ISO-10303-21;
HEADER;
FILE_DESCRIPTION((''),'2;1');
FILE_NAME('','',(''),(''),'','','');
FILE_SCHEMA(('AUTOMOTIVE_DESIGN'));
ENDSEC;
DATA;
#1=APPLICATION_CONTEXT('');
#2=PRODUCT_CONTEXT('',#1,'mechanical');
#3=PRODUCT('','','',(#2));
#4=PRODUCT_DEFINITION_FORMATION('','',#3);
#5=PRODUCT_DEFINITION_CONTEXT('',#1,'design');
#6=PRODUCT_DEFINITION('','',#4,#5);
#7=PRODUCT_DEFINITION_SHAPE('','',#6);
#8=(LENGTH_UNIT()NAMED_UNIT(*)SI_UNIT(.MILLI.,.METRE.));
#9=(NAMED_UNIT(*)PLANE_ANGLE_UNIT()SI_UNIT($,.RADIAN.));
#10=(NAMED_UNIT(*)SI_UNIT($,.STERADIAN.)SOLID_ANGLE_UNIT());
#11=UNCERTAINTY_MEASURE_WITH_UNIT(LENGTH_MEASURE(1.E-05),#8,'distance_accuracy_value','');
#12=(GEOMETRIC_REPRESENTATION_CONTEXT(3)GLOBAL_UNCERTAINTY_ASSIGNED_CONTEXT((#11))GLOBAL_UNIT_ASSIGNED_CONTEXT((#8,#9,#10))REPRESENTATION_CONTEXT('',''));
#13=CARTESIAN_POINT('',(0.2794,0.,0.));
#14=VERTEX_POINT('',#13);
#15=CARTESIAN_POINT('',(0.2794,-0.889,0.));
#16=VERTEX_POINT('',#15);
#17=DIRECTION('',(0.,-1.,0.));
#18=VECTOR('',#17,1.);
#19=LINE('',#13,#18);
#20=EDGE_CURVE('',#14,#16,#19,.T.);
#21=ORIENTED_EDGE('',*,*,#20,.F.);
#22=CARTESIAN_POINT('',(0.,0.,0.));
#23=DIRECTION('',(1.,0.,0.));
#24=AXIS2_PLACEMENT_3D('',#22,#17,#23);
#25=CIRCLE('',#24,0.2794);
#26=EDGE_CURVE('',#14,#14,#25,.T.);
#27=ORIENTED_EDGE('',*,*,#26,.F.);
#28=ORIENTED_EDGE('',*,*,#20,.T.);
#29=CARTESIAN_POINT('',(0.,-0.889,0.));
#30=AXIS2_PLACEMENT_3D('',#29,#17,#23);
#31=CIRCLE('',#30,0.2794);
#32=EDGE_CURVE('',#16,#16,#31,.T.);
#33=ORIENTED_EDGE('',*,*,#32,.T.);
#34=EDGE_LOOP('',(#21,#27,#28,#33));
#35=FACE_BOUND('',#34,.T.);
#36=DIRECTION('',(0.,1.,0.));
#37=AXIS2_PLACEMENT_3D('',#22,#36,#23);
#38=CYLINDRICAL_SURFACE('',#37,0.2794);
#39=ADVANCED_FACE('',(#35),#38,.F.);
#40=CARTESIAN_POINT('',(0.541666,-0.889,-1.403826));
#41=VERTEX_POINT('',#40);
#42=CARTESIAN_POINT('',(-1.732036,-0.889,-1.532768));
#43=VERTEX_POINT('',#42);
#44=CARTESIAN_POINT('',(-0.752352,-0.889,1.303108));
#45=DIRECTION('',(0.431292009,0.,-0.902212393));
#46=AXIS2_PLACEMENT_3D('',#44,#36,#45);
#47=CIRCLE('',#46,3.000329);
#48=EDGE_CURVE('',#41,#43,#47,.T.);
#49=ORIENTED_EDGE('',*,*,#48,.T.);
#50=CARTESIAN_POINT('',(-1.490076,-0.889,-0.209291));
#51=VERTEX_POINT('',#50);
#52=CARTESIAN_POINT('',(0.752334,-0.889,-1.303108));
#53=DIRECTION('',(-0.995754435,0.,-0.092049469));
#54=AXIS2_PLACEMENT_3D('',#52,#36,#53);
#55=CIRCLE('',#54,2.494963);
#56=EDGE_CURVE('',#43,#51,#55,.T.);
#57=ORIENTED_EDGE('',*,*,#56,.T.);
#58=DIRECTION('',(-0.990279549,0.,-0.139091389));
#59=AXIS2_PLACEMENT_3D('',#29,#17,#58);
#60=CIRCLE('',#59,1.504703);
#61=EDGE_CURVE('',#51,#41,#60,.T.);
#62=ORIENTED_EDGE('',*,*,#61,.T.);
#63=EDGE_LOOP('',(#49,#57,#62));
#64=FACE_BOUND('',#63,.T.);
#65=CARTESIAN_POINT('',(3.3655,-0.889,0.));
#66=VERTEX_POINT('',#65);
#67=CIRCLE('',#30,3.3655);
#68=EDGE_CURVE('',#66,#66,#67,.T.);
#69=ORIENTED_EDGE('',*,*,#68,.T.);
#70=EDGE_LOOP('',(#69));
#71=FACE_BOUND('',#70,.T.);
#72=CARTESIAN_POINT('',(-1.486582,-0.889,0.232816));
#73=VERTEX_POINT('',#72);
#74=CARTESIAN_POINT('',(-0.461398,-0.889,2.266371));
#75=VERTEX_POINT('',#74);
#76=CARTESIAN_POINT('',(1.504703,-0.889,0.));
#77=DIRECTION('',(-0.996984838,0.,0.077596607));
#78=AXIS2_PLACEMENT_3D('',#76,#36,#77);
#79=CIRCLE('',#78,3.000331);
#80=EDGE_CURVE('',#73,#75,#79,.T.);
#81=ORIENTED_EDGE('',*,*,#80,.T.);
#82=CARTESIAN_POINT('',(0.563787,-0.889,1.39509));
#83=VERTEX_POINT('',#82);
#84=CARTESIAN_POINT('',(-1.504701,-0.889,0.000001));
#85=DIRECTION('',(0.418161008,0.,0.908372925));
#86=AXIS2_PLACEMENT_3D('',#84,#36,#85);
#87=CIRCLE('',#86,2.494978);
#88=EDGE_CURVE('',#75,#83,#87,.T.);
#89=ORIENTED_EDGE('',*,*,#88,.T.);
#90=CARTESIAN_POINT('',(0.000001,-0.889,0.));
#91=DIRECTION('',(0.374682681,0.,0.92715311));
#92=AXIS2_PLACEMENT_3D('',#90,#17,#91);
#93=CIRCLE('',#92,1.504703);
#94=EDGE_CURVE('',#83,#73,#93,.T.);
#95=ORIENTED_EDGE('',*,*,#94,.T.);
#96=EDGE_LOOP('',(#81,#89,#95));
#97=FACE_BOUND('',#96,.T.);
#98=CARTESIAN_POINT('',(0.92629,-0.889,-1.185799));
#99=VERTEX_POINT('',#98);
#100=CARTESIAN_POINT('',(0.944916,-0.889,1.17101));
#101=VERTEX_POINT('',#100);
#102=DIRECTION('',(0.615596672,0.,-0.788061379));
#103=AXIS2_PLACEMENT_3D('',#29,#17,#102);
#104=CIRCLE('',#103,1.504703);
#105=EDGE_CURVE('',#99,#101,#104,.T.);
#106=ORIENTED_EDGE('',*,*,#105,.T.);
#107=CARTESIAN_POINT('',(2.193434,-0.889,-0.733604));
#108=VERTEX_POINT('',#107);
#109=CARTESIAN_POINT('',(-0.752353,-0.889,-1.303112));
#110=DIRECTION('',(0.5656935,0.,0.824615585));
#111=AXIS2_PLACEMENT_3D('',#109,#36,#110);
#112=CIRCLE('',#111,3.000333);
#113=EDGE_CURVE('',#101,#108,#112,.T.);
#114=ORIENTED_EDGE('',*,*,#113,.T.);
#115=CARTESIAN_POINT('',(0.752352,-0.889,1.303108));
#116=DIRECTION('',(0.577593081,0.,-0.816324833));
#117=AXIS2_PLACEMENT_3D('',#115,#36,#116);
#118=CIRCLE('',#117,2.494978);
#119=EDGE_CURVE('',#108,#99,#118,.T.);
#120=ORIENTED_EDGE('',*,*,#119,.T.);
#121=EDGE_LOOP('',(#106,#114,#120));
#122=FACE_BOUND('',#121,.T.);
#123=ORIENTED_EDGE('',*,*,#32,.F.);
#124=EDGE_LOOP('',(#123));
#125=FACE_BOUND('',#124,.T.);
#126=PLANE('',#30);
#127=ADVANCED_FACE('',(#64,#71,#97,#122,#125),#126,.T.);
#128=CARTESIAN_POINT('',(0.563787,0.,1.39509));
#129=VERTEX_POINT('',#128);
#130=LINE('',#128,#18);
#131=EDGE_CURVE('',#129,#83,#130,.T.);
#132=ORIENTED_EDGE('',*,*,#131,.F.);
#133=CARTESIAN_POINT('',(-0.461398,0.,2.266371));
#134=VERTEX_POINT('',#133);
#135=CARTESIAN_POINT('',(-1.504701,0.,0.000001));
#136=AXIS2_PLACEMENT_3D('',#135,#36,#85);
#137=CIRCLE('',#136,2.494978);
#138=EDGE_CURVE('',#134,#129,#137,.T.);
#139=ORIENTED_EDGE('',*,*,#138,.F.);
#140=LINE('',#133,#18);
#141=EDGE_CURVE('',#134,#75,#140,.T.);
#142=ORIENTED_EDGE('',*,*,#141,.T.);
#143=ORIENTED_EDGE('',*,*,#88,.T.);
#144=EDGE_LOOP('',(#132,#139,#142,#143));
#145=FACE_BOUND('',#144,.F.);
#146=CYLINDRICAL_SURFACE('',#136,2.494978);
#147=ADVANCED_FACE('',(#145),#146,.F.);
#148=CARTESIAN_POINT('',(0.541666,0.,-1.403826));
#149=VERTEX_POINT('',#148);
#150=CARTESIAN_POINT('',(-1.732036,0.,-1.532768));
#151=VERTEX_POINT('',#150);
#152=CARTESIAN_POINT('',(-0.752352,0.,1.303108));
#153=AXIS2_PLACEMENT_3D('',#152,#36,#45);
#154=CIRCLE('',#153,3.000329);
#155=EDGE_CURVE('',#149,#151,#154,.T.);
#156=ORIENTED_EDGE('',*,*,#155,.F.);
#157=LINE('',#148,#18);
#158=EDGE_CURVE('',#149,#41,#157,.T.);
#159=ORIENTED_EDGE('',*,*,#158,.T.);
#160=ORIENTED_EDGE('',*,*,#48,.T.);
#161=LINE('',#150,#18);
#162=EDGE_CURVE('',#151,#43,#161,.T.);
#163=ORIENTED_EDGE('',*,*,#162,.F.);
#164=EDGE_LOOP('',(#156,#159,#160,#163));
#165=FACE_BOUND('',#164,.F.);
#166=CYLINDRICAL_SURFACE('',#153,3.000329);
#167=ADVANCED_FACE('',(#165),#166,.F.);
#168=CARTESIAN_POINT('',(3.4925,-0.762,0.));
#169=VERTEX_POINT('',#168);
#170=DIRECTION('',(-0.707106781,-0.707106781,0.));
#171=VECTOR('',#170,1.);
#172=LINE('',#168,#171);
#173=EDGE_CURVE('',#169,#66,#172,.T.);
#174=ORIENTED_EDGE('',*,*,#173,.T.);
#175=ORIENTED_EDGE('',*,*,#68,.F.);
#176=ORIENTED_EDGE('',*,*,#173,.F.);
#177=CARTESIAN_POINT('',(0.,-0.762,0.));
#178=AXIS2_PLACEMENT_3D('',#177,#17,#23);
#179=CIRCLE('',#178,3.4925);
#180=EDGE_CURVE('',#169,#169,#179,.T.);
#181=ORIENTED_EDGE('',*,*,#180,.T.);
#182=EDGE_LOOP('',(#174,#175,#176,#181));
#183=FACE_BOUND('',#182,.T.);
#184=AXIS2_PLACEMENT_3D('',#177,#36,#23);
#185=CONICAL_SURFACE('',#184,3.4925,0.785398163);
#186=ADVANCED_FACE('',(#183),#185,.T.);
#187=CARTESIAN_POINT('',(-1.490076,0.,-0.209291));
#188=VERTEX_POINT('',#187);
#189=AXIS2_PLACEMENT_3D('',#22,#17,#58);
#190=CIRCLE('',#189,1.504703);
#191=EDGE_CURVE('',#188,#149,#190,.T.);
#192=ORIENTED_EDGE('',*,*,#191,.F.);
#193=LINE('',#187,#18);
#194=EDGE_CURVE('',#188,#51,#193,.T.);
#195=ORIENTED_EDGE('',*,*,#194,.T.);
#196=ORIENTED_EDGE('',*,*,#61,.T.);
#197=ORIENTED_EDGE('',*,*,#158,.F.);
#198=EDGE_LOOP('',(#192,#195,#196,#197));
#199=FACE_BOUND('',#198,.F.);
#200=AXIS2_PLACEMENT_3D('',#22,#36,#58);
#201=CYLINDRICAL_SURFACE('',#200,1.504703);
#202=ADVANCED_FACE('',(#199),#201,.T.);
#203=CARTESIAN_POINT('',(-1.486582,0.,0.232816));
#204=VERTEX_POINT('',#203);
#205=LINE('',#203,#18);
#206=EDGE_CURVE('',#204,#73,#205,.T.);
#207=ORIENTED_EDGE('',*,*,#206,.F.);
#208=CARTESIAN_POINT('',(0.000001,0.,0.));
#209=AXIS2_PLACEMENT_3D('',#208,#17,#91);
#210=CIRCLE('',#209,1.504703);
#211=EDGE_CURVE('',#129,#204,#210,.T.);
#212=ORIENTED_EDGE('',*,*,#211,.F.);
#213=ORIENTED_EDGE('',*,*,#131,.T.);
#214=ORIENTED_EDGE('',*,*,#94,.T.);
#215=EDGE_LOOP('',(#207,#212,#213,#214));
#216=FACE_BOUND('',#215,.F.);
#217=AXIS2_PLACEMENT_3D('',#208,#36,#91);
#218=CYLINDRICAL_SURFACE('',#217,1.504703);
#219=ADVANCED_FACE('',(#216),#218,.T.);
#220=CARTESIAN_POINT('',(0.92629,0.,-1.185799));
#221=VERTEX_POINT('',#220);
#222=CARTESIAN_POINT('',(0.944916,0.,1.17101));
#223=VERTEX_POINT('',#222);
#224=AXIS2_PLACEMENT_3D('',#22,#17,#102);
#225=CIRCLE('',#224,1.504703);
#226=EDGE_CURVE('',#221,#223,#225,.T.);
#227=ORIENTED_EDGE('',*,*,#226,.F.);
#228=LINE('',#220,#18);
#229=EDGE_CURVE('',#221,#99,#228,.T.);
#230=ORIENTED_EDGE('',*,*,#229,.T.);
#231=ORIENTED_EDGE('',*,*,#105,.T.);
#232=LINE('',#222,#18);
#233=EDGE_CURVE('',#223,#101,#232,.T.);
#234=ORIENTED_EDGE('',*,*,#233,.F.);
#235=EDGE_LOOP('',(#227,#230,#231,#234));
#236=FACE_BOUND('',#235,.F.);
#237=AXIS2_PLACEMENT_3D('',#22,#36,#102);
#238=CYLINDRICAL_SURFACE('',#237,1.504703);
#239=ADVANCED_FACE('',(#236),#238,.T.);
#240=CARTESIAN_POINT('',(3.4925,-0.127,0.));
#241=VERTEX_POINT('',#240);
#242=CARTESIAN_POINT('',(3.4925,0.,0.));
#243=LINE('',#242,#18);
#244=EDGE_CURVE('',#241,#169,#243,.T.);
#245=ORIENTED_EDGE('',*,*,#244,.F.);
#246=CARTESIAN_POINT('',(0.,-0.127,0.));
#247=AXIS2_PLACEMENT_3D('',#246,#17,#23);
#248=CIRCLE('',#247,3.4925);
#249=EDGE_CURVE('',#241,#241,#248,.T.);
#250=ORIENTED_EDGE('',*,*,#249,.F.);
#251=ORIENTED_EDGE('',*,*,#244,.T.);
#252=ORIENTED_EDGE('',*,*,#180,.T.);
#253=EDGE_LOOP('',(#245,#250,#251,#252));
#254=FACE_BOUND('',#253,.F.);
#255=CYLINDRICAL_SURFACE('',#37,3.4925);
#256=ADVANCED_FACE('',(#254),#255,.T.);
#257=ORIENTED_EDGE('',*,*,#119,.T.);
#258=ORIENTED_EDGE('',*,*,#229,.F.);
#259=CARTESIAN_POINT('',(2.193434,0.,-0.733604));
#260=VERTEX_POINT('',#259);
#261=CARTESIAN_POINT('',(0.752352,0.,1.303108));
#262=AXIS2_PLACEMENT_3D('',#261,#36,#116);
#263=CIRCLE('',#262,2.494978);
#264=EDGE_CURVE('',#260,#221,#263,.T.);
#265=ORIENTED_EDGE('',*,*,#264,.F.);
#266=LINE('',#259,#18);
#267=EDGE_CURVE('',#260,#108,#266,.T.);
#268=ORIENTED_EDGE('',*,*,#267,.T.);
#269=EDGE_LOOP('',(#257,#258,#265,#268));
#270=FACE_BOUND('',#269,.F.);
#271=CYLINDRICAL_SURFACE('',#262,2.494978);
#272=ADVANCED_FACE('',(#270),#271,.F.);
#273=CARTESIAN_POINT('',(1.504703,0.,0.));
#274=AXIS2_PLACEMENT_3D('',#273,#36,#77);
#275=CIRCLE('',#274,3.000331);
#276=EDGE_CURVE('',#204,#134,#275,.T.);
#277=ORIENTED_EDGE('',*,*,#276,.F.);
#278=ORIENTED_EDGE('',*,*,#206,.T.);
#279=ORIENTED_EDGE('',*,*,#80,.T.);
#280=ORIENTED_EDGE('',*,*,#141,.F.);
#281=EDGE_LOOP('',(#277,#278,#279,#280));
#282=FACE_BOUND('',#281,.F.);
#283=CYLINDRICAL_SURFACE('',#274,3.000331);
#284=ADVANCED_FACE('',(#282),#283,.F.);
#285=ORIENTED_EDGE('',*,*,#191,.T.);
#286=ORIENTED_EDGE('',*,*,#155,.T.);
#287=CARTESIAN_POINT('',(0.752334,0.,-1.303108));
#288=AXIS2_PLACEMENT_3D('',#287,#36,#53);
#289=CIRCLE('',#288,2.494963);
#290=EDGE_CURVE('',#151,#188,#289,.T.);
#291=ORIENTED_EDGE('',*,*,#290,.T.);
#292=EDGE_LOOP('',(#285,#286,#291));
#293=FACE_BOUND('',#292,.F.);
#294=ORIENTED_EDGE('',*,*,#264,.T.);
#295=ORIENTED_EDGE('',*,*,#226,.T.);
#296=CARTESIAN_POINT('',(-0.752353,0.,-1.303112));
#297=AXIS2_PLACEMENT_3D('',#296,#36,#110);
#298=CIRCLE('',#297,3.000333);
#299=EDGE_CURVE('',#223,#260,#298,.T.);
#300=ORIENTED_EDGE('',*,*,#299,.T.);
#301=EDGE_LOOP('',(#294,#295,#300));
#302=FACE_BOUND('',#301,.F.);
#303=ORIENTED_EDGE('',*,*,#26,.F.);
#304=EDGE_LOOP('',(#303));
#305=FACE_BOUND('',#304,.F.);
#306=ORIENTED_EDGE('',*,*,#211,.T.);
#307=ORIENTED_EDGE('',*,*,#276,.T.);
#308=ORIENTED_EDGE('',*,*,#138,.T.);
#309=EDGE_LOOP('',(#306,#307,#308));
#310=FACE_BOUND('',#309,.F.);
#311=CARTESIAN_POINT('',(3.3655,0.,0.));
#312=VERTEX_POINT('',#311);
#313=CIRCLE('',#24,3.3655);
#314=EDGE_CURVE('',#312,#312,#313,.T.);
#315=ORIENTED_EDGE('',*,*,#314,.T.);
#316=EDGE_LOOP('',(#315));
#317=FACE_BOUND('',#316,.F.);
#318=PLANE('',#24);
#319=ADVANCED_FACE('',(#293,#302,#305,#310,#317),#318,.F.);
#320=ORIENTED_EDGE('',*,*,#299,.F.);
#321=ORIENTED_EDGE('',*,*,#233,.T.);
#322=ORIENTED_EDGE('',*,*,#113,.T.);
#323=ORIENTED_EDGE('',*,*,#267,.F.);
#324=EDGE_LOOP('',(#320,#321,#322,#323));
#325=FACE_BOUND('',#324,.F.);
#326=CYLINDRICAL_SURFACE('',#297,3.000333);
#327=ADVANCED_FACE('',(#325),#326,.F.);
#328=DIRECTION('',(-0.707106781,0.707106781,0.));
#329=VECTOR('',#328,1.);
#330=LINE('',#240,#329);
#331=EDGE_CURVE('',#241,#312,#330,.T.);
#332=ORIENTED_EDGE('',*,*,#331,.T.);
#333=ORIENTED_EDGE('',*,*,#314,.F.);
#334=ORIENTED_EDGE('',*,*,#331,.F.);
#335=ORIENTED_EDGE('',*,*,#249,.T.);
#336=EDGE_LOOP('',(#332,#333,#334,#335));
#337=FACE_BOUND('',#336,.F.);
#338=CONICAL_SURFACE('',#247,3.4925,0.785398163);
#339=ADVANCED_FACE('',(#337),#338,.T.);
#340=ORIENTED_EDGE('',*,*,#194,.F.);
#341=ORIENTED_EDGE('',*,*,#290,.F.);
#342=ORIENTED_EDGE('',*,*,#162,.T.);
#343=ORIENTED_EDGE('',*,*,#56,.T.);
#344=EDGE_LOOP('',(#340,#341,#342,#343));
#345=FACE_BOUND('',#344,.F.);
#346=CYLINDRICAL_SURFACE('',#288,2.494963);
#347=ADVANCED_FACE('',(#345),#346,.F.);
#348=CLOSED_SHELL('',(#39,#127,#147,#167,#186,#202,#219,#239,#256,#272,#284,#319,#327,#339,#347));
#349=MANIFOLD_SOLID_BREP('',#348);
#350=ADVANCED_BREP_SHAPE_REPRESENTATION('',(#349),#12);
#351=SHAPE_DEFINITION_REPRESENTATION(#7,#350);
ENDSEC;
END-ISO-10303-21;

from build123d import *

# Parameters (mm, degrees)
F0_R     = 3.4925
F0_R_2   = 0.2794
F1_DEPTH = 0.889
F2_SIZE  = 0.127


with BuildPart() as f1:
    # F0 (on Front) → F1 (new body)
    with BuildSketch(Plane.XZ):
        Circle(F0_R)
        with BuildLine():
            ThreePointArc((0.541666, -1.403826), (-0.582476, -1.692408), (-1.732036, -1.532768))
            ThreePointArc((-1.732036, -1.532768), (-1.70195, -0.854412), (-1.490076, -0.209291))
            ThreePointArc((-1.490076, -0.209291), (-0.762626, -1.297124), (0.541666, -1.403826))
        make_face(mode=Mode.SUBTRACT)
        Circle(F0_R_2, mode=Mode.SUBTRACT)
        with BuildLine():
            ThreePointArc((0.944916, 1.17101), (1.756906, 0.341765), (2.193434, -0.733604))
            ThreePointArc((2.193434, -0.733604), (1.590918, -1.046726), (0.92629, -1.185799))
            ThreePointArc((0.92629, -1.185799), (1.504656, -0.011892), (0.944916, 1.17101))
        make_face(mode=Mode.SUBTRACT)
        with BuildLine():
            ThreePointArc((-0.461398, 2.266371), (0.111032, 1.901138), (0.563787, 1.39509))
            ThreePointArc((0.563787, 1.39509), (-0.742029, 1.309016), (-1.486582, 0.232816))
            ThreePointArc((-1.486582, 0.232816), (-1.17443, 1.350643), (-0.461398, 2.266371))
        make_face(mode=Mode.SUBTRACT)
    extrude(amount=F1_DEPTH)

    # F2
    f2_edges = [f1.edges().sort_by_distance(p)[0] for p in [
        (-3.4925, -0.889, 0),
        (-3.4925, 0, 0),
    ]]
    chamfer(f2_edges, length=F2_SIZE)


solid = f1.part
